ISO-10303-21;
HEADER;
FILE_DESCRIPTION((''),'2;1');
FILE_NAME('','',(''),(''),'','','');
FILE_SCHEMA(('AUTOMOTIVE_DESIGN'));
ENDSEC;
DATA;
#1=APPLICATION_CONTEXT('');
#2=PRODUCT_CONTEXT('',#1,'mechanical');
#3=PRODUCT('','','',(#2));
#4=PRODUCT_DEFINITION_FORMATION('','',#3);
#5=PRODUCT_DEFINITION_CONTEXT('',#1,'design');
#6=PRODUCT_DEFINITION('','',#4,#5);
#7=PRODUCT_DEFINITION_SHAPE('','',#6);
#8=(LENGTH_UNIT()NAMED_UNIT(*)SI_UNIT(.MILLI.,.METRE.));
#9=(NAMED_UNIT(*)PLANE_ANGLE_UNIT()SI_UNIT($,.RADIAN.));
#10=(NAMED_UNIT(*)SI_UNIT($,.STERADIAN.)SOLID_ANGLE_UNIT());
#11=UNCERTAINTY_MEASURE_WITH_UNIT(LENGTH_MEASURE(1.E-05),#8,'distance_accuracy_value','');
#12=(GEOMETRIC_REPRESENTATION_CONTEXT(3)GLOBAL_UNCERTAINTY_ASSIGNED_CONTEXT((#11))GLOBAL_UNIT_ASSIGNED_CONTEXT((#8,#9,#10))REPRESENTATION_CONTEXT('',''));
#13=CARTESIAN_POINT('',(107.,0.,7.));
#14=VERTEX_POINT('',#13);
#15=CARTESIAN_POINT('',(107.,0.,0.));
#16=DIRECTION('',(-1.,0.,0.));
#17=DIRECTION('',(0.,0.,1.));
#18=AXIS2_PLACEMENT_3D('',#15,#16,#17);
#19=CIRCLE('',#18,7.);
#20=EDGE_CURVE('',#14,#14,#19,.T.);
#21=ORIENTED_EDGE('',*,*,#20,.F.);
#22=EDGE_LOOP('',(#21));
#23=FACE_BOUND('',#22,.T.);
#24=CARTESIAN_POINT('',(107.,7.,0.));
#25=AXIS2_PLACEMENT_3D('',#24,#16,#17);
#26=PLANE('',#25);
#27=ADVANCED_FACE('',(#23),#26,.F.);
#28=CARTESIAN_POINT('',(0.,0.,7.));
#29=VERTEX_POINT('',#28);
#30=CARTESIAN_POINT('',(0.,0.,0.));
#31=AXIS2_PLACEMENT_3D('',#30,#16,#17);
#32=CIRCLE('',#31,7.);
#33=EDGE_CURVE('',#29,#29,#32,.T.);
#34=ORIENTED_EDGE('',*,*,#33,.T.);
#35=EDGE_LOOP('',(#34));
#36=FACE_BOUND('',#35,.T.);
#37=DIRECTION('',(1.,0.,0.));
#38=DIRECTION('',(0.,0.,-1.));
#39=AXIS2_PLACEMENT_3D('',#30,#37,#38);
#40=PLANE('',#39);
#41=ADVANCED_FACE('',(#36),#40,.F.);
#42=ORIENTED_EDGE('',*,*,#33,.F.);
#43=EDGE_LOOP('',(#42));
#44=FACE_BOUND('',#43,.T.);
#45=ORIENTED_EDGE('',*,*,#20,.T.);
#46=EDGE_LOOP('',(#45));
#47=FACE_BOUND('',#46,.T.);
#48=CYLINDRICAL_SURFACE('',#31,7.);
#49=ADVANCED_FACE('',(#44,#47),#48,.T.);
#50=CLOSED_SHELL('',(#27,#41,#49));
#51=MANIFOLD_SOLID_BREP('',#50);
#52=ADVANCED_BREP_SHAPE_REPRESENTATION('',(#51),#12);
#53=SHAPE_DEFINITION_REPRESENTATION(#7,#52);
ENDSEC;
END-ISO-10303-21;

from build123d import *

# Parameters (mm, degrees)
SKETCH_1_W = 107
SKETCH_1_H = 7


with BuildPart() as part:
    # 草图1 → 旋转1 (revolve)
    with BuildSketch(Plane.XY, mode=Mode.PRIVATE) as revolve_1_sk:
        with Locations((53.5, 3.5)):
            Rectangle(SKETCH_1_W, SKETCH_1_H)
    revolve(revolve_1_sk.sketch.rotate(Axis((0, 0, 0), (1, 0, 0)), 90), axis=Axis((0, 0, 0), (1, 0, 0)))


solid = part.part
